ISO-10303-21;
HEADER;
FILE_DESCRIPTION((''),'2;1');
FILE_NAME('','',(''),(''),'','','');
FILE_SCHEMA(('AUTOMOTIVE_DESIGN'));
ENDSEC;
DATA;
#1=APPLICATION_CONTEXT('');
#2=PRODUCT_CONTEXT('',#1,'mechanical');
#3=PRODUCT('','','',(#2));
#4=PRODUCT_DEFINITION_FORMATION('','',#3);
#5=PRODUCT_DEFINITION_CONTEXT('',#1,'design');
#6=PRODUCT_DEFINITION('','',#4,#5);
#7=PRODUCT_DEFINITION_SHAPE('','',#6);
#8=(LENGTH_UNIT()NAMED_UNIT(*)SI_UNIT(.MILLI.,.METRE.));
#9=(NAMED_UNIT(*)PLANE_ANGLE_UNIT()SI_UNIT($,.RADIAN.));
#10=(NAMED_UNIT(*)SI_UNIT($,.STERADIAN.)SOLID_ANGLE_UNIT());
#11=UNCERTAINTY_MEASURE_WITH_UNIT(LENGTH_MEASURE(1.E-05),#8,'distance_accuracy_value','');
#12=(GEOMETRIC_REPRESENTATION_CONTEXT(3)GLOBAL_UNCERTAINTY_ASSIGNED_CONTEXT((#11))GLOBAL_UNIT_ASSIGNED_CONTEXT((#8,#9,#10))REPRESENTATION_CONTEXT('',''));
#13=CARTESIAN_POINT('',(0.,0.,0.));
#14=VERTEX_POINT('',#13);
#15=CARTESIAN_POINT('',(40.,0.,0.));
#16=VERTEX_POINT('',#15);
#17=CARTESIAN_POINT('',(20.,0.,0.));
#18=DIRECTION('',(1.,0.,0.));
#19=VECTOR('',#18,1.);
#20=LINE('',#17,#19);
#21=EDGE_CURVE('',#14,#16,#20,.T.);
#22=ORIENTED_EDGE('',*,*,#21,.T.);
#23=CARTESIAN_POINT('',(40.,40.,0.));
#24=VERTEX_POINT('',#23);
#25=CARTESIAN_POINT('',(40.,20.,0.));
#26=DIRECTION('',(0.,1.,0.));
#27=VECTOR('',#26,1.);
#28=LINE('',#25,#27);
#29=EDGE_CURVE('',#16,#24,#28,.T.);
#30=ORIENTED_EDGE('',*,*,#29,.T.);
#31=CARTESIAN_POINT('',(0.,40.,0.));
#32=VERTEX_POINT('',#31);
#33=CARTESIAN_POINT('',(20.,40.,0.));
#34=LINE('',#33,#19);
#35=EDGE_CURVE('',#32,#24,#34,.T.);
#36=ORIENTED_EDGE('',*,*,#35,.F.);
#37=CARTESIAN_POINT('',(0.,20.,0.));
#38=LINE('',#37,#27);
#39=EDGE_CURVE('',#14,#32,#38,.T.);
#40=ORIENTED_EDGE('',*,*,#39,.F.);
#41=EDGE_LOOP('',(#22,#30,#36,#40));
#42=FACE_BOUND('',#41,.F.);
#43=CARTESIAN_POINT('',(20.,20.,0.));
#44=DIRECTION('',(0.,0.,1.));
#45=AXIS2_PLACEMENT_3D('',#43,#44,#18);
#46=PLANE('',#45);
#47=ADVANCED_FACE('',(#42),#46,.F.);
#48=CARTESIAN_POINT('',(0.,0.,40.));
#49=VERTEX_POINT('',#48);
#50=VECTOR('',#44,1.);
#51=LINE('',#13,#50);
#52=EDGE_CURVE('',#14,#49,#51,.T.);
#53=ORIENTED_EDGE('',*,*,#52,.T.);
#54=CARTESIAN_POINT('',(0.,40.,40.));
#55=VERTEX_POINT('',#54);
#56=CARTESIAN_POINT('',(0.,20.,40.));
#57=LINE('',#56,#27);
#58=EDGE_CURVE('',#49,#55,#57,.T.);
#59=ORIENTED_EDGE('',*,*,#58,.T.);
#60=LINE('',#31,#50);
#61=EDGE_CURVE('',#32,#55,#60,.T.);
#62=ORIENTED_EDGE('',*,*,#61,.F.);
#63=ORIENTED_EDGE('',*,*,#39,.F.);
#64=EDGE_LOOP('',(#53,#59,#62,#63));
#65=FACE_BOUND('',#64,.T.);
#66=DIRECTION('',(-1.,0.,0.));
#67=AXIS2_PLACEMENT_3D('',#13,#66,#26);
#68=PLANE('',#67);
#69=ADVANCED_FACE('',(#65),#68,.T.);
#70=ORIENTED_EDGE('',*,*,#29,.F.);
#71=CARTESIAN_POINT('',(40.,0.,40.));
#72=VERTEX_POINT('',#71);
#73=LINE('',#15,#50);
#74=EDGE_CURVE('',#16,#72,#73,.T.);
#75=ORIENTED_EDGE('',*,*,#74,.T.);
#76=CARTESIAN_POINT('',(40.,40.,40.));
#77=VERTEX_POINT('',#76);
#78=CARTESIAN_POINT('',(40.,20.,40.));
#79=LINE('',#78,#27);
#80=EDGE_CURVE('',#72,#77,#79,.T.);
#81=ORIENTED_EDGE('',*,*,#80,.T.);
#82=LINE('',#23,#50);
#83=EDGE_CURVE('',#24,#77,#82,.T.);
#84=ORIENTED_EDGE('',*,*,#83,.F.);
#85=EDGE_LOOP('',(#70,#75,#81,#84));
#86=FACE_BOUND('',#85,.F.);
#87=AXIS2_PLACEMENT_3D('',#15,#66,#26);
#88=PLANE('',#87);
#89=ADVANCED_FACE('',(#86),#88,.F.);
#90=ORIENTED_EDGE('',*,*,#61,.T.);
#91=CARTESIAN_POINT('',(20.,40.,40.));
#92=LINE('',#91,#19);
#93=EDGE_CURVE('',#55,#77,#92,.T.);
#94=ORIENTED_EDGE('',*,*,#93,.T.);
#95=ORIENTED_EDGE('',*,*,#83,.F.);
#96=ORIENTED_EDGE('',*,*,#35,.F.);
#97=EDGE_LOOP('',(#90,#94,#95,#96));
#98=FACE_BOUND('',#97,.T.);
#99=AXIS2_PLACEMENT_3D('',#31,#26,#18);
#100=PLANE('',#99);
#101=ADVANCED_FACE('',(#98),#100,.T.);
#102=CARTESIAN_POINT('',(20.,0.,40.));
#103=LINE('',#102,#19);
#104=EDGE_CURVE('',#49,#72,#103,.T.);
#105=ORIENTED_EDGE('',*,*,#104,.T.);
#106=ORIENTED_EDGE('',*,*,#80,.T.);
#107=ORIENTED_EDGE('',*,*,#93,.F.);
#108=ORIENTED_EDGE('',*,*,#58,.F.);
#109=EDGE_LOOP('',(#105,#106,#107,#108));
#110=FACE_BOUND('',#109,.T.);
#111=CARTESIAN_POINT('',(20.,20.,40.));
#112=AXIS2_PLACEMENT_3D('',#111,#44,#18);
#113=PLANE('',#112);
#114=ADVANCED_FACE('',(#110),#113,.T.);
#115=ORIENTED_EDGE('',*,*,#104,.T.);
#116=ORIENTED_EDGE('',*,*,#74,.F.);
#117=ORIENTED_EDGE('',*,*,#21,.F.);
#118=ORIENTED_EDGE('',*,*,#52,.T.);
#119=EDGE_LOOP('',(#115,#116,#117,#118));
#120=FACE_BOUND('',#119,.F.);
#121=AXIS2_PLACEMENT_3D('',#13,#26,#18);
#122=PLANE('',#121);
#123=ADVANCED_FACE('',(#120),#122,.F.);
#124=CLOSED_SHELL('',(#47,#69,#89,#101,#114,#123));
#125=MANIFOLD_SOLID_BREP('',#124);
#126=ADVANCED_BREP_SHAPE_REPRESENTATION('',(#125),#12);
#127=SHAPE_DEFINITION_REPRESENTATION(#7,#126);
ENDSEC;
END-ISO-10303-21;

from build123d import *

# Parameters (mm, degrees)
SKETCH_W  = 40
SKETCH_H  = 40
PAD_DEPTH = 40


with BuildPart() as part:
    # Sketch → Pad (new body)
    with BuildSketch(Plane.XY):
        with Locations((20, 20)):
            Rectangle(SKETCH_W, SKETCH_H)
    extrude(amount=PAD_DEPTH)


solid = part.part
